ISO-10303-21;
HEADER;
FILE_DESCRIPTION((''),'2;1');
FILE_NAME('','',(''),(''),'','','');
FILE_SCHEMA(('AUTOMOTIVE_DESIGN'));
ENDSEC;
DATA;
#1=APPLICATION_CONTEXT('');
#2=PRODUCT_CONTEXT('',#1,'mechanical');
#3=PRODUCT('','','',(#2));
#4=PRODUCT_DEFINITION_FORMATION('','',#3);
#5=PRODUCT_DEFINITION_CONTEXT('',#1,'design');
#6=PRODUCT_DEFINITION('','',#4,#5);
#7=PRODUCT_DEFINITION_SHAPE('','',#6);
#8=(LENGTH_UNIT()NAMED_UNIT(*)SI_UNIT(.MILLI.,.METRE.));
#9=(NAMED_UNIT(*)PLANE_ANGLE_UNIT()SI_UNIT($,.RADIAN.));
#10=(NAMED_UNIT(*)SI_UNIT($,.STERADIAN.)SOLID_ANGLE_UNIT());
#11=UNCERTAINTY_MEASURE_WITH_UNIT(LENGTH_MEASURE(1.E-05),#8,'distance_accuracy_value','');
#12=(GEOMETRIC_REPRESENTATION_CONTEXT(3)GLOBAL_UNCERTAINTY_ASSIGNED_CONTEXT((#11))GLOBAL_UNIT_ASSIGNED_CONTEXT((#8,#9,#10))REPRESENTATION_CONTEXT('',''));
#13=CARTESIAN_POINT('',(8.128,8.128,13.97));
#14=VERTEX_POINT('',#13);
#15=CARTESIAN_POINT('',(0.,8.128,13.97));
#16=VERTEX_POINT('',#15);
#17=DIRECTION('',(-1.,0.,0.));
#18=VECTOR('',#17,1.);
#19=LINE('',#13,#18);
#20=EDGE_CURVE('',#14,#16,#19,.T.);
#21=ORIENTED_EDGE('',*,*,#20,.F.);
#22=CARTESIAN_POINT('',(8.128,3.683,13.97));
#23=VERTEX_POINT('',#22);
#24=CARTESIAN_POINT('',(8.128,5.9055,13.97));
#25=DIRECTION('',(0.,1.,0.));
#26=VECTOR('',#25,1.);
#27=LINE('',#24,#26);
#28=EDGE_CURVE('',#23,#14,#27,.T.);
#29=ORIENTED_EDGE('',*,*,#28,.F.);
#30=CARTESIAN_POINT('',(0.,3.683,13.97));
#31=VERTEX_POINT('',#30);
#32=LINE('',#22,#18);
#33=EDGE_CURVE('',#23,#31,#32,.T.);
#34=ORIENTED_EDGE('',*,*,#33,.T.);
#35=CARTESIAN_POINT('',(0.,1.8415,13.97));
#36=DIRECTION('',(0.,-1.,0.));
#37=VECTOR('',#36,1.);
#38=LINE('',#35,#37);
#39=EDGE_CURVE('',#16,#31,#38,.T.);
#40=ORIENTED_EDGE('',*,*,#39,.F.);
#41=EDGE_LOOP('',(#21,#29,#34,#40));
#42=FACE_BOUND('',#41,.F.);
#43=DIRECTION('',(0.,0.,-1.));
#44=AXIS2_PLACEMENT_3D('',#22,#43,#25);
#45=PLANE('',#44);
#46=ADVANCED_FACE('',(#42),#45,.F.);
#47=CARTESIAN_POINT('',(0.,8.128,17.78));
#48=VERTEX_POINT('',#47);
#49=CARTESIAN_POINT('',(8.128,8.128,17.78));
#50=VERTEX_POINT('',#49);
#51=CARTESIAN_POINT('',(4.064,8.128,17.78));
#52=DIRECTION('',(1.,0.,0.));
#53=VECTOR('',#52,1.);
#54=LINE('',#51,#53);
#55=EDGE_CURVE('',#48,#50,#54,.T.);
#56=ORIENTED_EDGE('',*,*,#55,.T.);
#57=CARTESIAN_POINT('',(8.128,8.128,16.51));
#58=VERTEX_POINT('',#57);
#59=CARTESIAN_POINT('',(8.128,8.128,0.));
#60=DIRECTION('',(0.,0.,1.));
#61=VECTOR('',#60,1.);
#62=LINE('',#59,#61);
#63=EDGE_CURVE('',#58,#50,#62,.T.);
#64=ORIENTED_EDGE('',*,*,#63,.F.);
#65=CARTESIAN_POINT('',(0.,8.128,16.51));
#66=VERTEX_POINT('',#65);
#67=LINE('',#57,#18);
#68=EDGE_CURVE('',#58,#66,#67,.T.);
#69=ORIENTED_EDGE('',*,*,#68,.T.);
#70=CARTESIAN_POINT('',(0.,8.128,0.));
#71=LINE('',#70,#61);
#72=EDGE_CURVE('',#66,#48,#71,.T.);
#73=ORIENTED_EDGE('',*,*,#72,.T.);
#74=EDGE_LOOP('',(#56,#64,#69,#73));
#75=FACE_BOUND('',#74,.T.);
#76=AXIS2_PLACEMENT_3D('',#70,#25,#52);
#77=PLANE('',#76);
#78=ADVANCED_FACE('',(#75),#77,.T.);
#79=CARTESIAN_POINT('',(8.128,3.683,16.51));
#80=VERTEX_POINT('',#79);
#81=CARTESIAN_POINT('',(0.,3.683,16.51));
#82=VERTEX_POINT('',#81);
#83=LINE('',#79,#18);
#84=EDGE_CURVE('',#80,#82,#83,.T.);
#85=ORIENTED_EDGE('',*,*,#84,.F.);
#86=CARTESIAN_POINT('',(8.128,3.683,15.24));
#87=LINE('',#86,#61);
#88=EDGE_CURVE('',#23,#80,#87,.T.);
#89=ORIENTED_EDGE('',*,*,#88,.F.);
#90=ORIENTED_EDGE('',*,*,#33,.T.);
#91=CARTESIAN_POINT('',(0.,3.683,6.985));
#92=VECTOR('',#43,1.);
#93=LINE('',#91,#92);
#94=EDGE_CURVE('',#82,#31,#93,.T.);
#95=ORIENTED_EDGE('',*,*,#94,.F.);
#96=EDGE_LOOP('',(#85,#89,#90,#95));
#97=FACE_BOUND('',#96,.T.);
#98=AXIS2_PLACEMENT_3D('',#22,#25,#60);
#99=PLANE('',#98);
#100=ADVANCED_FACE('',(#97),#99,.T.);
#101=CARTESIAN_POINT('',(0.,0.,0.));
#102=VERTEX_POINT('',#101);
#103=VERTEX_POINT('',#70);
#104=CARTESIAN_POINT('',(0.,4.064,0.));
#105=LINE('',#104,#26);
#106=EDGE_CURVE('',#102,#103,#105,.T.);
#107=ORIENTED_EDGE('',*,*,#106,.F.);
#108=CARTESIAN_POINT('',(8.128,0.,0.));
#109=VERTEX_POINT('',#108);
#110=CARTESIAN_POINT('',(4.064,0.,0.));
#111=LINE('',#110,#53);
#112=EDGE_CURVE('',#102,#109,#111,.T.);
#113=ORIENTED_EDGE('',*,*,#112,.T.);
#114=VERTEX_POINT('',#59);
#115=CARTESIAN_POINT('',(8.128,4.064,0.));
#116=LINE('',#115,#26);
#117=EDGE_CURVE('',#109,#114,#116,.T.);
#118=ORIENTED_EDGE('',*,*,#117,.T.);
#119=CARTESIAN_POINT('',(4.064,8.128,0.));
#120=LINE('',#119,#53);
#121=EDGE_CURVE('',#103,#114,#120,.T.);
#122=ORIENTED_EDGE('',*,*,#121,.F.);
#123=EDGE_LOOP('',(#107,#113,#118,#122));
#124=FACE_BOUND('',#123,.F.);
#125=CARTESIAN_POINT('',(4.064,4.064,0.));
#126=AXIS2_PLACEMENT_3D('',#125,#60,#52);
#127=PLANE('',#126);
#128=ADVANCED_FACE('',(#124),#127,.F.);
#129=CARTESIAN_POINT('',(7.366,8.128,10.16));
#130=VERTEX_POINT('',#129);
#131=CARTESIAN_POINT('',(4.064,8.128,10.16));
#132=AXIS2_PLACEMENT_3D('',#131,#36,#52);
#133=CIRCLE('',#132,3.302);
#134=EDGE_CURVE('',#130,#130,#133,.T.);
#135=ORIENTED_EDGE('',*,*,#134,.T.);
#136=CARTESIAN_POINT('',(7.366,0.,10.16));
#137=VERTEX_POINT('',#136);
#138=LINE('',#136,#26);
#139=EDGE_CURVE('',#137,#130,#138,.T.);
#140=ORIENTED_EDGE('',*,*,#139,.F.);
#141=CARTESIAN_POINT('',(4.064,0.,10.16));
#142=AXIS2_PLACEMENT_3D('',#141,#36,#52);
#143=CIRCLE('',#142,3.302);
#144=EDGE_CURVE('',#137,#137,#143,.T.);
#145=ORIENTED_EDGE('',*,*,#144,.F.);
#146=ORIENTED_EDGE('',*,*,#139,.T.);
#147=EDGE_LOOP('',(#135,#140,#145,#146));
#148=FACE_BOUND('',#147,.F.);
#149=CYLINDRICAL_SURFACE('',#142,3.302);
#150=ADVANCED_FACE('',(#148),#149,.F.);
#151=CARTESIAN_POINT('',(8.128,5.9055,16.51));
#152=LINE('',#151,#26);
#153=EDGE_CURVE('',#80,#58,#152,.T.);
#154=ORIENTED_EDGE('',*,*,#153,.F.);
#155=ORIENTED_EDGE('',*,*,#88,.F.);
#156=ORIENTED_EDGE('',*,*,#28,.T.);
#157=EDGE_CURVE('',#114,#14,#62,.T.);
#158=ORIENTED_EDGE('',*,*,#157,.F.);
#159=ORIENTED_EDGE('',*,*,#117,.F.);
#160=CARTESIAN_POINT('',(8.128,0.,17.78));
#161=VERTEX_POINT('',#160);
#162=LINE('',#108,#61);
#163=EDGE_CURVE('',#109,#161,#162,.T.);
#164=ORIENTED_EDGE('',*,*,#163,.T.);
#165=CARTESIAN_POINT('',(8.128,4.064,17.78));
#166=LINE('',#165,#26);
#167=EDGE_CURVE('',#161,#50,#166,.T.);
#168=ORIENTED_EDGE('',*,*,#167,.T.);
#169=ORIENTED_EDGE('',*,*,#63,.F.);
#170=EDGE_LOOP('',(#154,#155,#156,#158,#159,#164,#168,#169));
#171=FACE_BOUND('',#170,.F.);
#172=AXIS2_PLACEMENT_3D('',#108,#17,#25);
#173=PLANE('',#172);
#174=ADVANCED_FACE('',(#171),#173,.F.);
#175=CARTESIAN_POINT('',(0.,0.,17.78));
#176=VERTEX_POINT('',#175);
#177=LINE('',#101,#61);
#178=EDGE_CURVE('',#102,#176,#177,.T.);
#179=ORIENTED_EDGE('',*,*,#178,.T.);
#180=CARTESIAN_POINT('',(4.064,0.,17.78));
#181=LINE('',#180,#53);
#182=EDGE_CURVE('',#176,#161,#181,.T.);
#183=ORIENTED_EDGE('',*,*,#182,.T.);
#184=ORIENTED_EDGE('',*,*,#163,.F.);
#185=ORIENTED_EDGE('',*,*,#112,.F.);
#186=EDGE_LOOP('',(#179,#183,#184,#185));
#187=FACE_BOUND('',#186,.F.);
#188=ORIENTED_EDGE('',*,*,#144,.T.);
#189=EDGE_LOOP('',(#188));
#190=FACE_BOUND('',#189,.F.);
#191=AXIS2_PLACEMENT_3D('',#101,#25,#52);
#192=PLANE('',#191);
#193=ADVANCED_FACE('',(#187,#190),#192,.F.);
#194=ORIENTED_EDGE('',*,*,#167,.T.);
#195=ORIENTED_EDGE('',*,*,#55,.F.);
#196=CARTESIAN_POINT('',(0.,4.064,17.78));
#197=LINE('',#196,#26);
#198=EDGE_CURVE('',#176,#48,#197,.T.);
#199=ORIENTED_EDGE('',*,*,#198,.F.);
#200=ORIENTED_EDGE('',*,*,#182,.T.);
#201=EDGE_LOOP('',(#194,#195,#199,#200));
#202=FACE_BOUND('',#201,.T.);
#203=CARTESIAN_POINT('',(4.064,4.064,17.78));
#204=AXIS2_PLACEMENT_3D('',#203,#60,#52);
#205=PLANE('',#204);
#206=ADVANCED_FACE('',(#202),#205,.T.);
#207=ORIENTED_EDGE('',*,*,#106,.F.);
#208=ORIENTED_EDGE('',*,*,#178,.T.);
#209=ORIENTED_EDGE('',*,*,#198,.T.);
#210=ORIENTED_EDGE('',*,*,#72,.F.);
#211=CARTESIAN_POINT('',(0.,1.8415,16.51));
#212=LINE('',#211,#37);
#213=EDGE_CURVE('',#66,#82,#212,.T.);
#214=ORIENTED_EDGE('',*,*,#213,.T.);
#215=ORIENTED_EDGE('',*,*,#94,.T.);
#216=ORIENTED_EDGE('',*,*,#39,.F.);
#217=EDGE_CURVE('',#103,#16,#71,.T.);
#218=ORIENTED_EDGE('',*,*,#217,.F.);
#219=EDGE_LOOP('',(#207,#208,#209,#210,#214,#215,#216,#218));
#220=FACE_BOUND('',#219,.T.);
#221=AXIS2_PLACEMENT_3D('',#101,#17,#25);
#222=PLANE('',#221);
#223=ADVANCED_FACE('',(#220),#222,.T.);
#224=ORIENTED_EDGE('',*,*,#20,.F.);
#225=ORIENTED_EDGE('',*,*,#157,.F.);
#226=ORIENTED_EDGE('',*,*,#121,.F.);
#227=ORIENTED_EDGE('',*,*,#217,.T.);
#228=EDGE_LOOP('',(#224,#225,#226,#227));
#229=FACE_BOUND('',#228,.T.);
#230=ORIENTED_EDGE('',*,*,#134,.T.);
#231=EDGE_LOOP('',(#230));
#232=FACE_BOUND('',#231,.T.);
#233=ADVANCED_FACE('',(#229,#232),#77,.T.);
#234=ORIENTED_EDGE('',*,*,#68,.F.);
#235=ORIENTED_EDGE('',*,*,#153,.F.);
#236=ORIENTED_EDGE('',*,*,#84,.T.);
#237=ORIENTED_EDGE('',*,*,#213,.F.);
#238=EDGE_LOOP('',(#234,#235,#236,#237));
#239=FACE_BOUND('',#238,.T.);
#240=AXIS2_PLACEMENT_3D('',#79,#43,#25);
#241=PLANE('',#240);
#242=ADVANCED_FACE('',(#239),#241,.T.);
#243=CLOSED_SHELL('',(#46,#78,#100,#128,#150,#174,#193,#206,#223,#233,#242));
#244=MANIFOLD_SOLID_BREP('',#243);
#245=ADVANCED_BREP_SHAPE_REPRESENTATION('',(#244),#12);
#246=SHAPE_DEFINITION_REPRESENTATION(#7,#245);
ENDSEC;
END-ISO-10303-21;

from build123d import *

# Parameters (mm, degrees)
F0_W     = 8.128
F0_H     = 8.128
F1_DEPTH = 17.78
F2_W     = 4.445
F2_H     = 2.54
F3_DEPTH = 25.4
F4_R     = 3.302
F5_DEPTH = 25.4


with BuildPart() as f1:
    # F0 (on Top) → F1 (new body)
    with BuildSketch(Plane.XY):
        with Locations((4.064, 4.064)):
            Rectangle(F0_W, F0_H)
    extrude(amount=F1_DEPTH)

    # F2 (on face) → F3 (cut)
    with BuildSketch(Plane.YZ.offset(8.128)):
        with Locations((5.9055, 15.24)):
            Rectangle(F2_W, F2_H)
    extrude(amount=-F3_DEPTH, mode=Mode.SUBTRACT)

    # F4 (on face) → F5 (cut)
    with BuildSketch(Plane.XZ):
        with Locations((4.064, 10.16)):
            Circle(F4_R)
    extrude(amount=-F5_DEPTH, mode=Mode.SUBTRACT)


solid = f1.part
